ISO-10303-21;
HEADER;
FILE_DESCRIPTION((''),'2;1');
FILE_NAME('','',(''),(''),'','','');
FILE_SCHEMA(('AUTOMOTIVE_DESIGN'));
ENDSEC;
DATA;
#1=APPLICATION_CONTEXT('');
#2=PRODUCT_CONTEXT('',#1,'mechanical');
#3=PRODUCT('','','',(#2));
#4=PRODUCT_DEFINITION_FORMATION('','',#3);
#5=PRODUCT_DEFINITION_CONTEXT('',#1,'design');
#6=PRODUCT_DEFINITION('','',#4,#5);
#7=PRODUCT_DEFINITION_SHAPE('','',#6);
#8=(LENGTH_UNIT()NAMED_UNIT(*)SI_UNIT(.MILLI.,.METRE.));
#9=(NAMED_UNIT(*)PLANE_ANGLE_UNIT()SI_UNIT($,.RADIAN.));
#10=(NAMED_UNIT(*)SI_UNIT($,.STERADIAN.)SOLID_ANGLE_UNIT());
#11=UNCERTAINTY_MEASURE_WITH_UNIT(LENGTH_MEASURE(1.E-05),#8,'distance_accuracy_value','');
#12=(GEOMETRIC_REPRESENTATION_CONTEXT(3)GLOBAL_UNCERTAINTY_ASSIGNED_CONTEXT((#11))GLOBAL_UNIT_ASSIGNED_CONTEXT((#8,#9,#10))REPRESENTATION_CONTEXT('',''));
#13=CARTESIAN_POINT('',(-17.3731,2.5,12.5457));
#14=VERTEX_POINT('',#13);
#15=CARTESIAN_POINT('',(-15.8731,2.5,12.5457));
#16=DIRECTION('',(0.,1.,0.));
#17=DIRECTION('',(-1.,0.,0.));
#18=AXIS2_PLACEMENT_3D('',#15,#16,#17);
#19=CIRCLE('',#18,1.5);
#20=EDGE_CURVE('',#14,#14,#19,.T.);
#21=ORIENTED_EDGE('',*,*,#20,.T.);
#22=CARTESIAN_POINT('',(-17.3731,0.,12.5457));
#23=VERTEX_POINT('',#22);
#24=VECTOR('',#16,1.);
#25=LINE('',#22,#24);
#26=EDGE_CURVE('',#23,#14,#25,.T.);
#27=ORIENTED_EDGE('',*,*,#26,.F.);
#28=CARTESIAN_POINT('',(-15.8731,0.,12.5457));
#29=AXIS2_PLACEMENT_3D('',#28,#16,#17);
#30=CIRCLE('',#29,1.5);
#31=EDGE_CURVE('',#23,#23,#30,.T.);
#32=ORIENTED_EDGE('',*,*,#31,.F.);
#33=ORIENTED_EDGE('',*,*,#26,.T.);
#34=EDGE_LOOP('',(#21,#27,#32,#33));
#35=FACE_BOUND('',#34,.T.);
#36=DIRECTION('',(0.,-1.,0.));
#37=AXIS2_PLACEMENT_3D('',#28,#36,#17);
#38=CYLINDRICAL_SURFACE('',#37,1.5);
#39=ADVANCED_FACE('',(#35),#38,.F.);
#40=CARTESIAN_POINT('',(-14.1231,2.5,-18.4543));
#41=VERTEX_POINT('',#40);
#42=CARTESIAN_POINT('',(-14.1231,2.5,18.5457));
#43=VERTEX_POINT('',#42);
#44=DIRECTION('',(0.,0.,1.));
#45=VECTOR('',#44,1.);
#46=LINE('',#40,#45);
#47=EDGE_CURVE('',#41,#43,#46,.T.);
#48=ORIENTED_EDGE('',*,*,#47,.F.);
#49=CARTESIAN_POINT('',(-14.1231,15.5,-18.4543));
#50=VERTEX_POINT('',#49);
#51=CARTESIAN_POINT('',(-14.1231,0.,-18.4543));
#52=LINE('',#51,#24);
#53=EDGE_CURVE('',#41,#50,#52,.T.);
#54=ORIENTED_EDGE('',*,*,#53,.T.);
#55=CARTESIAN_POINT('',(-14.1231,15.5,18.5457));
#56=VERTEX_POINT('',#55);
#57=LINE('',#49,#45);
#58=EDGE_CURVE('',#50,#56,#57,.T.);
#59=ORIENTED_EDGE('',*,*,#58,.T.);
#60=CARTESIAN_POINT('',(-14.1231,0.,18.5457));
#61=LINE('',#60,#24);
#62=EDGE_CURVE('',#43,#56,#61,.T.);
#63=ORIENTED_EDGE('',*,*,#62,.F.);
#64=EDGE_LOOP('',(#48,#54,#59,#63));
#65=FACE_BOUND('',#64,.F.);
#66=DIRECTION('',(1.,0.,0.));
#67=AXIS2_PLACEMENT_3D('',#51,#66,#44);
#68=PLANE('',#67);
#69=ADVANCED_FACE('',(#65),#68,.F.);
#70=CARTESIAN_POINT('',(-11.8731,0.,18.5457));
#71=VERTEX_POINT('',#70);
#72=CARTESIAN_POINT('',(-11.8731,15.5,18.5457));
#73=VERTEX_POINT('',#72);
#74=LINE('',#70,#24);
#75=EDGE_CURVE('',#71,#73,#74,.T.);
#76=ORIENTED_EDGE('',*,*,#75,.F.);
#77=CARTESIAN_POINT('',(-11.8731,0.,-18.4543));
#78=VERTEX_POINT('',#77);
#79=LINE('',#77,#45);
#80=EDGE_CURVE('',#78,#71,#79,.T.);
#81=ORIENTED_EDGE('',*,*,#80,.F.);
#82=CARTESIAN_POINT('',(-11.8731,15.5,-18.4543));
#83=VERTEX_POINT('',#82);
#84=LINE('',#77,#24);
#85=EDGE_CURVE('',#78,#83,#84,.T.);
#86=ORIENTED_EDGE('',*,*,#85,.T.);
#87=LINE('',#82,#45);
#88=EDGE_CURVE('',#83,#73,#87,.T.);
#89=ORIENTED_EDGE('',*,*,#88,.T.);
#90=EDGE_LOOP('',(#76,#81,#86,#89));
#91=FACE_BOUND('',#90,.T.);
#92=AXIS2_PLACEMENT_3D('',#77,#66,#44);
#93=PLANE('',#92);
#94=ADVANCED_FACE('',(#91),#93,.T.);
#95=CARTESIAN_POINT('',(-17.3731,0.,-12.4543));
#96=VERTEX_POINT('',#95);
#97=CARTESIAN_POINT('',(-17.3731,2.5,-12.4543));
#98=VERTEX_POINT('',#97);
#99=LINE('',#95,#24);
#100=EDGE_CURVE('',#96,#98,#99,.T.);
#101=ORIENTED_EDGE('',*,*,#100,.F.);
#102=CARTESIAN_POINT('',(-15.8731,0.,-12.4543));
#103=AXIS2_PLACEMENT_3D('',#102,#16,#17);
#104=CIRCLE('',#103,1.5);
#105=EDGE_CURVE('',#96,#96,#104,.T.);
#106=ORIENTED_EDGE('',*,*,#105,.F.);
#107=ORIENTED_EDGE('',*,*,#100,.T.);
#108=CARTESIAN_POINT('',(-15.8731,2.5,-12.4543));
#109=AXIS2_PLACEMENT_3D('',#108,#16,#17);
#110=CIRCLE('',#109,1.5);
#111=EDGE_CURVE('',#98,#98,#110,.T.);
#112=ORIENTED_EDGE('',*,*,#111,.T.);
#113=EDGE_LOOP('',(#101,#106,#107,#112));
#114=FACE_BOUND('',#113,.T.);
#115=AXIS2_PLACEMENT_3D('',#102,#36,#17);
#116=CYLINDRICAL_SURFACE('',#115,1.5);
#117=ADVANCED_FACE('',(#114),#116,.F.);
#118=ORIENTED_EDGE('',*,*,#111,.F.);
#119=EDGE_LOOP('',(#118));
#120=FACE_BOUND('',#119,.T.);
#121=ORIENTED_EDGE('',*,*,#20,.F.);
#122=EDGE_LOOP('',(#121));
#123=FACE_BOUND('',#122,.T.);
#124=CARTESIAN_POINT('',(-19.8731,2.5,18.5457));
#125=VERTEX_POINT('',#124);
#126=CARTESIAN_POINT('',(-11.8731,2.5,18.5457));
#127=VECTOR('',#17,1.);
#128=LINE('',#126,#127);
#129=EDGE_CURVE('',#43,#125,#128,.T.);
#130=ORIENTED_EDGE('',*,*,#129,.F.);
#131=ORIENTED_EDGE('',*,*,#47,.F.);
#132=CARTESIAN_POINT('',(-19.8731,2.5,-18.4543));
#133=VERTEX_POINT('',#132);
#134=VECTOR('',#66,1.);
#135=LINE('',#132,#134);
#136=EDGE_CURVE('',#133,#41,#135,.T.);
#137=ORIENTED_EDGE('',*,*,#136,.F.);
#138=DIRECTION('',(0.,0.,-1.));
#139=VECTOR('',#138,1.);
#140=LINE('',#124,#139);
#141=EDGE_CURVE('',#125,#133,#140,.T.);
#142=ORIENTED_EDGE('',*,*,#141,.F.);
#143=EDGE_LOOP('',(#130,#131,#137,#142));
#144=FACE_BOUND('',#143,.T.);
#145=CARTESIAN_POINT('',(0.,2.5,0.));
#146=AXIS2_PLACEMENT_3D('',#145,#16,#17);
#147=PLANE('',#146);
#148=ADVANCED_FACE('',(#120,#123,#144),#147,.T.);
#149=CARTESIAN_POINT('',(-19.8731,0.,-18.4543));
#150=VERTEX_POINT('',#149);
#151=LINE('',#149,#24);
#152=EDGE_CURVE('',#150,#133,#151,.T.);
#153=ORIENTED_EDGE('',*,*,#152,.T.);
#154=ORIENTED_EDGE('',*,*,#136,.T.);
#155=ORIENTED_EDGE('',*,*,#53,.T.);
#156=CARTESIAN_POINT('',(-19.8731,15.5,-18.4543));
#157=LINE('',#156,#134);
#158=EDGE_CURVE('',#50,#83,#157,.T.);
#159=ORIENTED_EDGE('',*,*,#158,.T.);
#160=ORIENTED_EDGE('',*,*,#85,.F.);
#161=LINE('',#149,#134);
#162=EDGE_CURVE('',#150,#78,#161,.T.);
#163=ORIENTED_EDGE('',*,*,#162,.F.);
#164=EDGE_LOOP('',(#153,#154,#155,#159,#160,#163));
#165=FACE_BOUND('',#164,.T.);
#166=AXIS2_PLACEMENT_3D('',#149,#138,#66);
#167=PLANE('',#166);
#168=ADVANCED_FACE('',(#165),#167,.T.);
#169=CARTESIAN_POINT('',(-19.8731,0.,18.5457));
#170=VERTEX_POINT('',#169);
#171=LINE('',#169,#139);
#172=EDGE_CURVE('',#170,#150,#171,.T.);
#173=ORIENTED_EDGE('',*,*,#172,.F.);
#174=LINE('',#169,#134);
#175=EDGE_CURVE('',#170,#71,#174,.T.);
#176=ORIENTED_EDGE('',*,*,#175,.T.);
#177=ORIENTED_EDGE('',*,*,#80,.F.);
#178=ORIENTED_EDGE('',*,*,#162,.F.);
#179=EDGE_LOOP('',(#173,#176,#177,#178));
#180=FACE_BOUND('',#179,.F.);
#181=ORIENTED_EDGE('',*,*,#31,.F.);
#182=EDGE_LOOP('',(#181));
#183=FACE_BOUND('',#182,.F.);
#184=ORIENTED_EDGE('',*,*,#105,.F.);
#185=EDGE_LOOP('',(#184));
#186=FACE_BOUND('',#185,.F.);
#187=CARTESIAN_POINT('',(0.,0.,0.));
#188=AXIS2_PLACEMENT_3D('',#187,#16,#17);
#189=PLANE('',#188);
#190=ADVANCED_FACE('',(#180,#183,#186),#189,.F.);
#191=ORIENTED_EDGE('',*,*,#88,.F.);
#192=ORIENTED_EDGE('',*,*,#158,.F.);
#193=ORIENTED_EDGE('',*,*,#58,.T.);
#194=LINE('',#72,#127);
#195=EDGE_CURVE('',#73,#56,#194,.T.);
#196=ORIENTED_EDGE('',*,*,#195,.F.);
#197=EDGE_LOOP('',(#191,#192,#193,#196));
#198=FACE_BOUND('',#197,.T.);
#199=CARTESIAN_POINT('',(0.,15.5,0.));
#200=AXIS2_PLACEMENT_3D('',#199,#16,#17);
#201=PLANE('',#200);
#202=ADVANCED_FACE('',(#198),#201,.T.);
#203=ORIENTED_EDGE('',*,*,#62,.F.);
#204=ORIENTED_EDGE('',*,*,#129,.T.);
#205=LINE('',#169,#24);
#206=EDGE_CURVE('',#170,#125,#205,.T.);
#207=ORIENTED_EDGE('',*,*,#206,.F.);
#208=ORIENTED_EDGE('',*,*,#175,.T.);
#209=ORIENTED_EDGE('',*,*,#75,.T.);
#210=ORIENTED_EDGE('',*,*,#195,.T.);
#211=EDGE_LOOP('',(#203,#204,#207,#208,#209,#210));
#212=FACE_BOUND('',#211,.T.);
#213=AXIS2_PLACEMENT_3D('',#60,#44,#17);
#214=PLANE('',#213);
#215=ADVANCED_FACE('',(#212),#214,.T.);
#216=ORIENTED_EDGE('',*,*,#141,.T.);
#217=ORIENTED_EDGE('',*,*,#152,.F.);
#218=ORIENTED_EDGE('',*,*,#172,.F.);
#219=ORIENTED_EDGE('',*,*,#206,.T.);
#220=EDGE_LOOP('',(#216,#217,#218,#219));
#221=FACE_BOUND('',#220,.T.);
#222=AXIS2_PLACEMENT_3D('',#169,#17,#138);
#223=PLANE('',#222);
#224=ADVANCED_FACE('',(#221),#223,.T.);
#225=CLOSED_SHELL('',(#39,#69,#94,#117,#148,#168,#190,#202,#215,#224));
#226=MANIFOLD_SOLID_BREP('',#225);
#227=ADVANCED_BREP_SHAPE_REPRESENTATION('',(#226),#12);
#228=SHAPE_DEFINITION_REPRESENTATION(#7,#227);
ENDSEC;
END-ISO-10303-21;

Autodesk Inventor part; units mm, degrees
ref_plane "YZ Plane" through (0, 0, 0) normal (1, 0, 0) x (0, 1, 0)
ref_plane "XZ Plane" through (0, 0, 0) normal (0, 1, 0) x (-1, 0, 0)
ref_plane "XY Plane" through (0, 0, 0) normal (0, 0, 1) x (1, 0, 0)
sketch "Esboço1" plane through (0, 0, 0) normal (0, 1, 0) x (-1, 0, 0)
  line L0 (11.8731, -18.4543) -> (11.8731, 18.5457)
  line L1 (11.8731, 18.5457) -> (19.8731, 18.5457)
  line L2 (19.8731, 18.5457) -> (19.8731, -18.4543)
  line L3 (19.8731, -18.4543) -> (11.8731, -18.4543)
  line L4 (11.8731, -18.4543) -> (11.8731, 18.5457)
  circle A0 centre (15.8731, 12.5457) radius 1.5
  circle A1 centre (15.8731, -12.4543) radius 1.5
  line L5 (14.1231, -18.4543) -> (14.1231, 18.5457)
  point P0 (15.8731, 18.5457)
  point P1 (15.8731, -18.4543)
  dimension "d2" = 8
  dimension "d3" = 3
  dimension "d5" = 6
  dimension "d6" = 6
  dimension "d8" = 4
  dimension "d9" = 2.25
  dimension "d10" = 3
extrude "Extrusão1" add sketch "Esboço1" along normal blind 2.5 contours L5 L1 L2 L3
extrude "Extrusão2" add sketch "Esboço1" along normal blind 15.5 contours L0 L1 L5 L3
properties part number "pecinha_empunhadura"
